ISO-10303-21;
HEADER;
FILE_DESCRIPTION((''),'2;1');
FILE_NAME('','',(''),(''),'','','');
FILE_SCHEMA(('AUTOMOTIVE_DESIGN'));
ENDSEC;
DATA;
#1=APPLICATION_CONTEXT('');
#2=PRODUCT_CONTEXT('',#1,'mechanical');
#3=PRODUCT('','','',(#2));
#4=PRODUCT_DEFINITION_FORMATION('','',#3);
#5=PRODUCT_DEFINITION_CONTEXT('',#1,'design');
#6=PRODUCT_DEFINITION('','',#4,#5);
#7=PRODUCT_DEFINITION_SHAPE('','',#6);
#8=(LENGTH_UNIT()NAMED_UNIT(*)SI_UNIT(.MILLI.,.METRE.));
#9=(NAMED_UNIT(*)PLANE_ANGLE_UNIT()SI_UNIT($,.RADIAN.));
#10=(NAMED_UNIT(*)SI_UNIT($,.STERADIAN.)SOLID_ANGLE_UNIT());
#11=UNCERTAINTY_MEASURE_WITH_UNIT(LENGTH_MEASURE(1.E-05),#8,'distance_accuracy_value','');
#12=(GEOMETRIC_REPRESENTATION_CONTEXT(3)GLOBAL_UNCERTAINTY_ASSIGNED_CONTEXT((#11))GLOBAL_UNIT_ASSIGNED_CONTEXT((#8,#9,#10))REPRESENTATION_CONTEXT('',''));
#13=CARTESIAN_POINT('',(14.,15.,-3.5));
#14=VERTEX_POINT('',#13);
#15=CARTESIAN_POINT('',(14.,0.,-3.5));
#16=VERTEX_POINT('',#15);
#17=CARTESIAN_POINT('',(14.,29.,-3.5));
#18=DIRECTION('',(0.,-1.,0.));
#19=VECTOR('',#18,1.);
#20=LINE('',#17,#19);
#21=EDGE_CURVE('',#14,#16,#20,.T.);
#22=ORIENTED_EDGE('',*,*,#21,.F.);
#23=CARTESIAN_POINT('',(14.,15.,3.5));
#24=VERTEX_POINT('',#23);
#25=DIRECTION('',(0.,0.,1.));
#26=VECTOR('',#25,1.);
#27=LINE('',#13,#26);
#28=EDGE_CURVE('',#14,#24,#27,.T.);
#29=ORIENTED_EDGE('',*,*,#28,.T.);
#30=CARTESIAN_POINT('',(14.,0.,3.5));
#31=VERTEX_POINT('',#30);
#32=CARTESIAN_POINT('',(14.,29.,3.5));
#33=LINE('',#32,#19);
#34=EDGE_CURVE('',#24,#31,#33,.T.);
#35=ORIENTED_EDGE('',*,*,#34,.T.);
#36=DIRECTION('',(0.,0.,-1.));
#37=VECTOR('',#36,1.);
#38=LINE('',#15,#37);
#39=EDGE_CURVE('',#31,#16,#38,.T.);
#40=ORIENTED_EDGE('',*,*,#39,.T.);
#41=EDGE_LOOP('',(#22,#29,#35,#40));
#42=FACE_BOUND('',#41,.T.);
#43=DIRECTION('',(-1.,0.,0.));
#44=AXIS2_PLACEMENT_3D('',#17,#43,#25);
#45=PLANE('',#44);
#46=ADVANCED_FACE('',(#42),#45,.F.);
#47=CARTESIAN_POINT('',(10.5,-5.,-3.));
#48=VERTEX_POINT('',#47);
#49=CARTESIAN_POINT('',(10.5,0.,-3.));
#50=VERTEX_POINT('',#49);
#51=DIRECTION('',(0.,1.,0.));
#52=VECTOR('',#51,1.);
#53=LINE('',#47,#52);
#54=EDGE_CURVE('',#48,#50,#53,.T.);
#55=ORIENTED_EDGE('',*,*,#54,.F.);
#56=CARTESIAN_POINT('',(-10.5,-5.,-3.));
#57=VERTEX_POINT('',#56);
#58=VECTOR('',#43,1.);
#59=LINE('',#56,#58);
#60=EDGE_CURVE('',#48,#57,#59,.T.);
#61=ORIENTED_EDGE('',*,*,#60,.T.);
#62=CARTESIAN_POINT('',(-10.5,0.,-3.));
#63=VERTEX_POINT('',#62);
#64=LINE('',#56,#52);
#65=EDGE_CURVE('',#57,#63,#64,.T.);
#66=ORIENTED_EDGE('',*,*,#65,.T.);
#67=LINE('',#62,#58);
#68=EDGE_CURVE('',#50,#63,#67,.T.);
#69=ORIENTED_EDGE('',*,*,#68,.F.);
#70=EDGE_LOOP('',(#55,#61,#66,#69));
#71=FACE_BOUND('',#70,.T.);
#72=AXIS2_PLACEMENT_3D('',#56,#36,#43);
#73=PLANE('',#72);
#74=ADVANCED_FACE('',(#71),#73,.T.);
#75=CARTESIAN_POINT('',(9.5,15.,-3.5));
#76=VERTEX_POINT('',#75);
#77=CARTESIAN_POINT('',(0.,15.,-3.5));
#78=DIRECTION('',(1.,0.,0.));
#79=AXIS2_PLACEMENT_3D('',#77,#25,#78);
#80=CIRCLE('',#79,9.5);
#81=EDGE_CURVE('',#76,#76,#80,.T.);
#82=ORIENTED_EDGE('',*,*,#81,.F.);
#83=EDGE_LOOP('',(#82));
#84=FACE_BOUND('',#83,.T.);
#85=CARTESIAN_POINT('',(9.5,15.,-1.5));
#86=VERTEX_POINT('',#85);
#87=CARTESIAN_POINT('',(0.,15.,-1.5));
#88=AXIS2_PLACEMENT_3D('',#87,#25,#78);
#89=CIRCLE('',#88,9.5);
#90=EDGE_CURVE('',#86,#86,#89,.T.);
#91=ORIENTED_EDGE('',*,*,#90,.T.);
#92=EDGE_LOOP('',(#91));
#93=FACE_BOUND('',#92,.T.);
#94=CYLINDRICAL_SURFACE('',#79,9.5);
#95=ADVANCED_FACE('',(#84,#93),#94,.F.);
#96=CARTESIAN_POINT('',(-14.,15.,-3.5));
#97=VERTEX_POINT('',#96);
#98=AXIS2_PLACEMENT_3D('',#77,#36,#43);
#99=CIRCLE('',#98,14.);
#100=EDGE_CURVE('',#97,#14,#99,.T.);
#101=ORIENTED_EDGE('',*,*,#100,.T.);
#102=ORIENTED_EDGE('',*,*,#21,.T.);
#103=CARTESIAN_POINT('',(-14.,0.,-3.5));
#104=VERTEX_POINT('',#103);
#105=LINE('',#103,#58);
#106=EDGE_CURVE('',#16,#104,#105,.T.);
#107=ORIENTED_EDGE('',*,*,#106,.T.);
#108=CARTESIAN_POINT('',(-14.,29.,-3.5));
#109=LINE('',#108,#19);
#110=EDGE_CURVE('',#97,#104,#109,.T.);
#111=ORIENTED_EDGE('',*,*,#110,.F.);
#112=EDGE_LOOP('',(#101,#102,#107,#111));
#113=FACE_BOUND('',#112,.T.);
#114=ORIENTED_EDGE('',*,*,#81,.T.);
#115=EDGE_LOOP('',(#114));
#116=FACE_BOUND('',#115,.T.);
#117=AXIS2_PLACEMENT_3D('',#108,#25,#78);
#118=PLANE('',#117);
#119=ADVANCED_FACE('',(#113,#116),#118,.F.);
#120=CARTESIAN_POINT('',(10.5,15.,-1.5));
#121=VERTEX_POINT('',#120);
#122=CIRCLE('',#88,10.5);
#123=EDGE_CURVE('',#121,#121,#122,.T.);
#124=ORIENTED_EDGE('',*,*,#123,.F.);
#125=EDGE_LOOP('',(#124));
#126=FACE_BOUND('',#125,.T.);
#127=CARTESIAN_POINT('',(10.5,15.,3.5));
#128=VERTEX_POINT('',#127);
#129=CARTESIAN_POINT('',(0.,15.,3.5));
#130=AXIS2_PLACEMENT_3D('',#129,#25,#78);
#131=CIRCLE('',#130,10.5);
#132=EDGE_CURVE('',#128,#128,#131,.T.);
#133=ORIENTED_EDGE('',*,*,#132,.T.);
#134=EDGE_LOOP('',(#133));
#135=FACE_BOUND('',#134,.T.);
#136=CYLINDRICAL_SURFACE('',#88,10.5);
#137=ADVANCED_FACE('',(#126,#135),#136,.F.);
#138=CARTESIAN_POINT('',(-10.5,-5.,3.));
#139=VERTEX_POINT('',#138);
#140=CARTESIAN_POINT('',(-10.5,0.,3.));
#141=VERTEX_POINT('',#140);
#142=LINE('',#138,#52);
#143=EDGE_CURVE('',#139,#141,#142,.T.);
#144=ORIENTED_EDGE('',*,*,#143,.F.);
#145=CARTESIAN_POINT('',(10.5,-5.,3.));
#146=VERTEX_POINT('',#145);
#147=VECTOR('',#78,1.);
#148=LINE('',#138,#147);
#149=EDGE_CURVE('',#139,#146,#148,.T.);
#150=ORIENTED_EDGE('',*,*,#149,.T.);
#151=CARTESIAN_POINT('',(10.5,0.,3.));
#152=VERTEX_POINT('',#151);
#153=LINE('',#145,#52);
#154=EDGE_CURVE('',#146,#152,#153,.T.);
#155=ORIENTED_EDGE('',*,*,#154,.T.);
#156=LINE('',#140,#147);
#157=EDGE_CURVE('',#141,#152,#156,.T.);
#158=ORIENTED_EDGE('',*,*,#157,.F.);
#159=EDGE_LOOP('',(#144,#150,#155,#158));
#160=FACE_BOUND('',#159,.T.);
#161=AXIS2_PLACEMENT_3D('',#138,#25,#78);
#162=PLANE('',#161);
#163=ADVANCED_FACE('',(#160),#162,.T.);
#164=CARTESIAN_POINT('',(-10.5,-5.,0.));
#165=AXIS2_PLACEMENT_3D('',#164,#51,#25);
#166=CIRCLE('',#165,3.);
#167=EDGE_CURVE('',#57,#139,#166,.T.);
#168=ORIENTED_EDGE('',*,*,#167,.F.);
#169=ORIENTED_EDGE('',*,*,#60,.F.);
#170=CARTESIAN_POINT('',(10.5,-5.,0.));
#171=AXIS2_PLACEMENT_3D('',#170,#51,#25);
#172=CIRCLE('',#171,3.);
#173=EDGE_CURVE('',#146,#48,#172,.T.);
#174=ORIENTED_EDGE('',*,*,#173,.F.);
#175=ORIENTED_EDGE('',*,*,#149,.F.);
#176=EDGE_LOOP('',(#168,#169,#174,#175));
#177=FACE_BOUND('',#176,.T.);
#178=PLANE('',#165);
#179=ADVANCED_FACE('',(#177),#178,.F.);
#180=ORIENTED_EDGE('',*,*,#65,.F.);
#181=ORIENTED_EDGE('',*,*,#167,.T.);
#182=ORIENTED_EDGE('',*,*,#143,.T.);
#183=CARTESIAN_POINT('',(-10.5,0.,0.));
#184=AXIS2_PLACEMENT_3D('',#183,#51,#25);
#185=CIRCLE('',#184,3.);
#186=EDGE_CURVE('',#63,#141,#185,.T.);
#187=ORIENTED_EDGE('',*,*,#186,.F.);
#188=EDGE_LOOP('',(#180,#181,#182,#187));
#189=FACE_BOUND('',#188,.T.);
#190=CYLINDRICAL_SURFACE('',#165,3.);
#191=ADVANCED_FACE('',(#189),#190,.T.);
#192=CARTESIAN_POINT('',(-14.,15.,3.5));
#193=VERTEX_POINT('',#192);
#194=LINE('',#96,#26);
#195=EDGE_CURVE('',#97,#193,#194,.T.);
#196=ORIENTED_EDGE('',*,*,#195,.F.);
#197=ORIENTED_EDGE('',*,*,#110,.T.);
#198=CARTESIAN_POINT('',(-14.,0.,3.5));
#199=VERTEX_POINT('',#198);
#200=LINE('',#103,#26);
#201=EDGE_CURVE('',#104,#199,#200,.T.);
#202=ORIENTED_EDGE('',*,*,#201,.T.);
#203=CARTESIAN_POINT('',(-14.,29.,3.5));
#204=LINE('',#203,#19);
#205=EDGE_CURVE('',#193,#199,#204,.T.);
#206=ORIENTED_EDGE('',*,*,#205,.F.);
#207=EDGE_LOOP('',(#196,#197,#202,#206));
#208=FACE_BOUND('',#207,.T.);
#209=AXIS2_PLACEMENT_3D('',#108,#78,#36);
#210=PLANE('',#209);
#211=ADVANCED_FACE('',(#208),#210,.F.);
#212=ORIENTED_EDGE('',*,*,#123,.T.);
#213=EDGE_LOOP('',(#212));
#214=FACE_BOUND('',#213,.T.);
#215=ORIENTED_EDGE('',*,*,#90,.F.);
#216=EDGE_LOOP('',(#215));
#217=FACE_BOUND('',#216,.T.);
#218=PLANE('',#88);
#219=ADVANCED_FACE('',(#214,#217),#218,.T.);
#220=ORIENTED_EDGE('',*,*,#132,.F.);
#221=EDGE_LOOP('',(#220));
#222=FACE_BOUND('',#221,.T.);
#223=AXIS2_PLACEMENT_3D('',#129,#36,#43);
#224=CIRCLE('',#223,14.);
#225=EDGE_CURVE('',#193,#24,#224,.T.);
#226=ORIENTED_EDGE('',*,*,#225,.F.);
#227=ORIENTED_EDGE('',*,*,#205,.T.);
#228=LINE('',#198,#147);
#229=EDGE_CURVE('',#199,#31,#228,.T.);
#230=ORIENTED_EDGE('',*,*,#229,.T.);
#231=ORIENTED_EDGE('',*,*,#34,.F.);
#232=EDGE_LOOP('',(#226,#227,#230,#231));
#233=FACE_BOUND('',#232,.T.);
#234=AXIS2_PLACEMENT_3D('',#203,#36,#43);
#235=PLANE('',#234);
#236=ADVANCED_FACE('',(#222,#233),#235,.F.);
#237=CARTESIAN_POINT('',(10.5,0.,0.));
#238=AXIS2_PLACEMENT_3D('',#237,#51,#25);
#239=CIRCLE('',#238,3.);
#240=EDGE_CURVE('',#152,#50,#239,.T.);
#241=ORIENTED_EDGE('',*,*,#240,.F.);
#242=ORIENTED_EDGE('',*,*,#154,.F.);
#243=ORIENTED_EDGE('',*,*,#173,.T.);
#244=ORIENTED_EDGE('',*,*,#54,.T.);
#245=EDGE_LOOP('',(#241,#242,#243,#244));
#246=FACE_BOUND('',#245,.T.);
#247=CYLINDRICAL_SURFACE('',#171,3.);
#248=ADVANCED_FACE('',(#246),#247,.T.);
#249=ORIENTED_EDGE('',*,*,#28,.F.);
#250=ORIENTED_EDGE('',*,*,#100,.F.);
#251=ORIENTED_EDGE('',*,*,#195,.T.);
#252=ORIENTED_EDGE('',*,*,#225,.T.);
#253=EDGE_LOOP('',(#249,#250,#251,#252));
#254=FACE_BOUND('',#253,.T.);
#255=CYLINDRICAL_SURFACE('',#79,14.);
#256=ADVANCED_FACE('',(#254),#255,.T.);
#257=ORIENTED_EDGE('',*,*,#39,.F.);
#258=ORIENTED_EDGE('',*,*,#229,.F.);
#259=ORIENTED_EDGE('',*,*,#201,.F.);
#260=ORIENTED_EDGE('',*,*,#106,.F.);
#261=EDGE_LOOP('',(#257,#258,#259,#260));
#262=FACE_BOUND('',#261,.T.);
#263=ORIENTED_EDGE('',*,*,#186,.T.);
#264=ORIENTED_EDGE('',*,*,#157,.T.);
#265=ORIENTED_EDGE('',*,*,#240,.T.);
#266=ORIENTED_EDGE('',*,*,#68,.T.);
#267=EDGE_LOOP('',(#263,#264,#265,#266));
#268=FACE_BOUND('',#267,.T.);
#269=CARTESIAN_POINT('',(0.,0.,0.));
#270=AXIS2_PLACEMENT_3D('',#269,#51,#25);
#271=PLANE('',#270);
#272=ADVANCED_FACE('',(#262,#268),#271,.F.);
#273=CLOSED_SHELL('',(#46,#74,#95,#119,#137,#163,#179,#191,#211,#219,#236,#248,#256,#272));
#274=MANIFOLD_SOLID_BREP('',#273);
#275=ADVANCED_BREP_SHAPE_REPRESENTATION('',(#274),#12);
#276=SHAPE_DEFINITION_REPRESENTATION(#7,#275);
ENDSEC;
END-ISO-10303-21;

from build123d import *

# Parameters (mm, degrees)
BOSS_EXTRUDE1_DEPTH = 5
SKETCH2_W           = 28
SKETCH2_H           = 7
BOSS_EXTRUDE2_DEPTH = 29
CUT_EXTRUDE1_DEPTH  = 7
SKETCH4_R           = 10.5
CUT_EXTRUDE2_DEPTH  = 5
SKETCH5_R           = 9.5
CUT_EXTRUDE3_DEPTH  = 2


with BuildPart() as part:
    # Sketch1 → Boss-Extrude1 (new body)
    with BuildSketch(Plane(origin=(0, 0, 0), x_dir=(1, 0, 0), z_dir=(0, 1, 0))):
        with BuildLine():
            Line((-10.5, 3), (10.5, 3))
            ThreePointArc((10.5, 3), (13.5, 0), (10.5, -3))
            Line((10.5, -3), (-10.5, -3))
            ThreePointArc((-10.5, -3), (-13.5, 0), (-10.5, 3))
        make_face()
    extrude(amount=-BOSS_EXTRUDE1_DEPTH)

    # Sketch2 → Boss-Extrude2 (add)
    with BuildSketch(Plane(origin=(0, 0, 0), x_dir=(1, 0, 0), z_dir=(0, 1, 0))):
        Rectangle(SKETCH2_W, SKETCH2_H)
    extrude(amount=BOSS_EXTRUDE2_DEPTH)

    # Sketch3 → Cut-Extrude1 (cut)
    with BuildSketch(Plane.XY.offset(3.5)):
        with BuildLine():
            Line((-14, 15), (-14, 33.512664493))
            Line((-14, 33.512664493), (14, 33.512664493))
            Line((14, 33.512664493), (14, 15))
            ThreePointArc((14, 15), (0, 29), (-14, 15))
        make_face()
    extrude(amount=-CUT_EXTRUDE1_DEPTH, mode=Mode.SUBTRACT)

    # Sketch4 → Cut-Extrude2 (cut)
    with BuildSketch(Plane.XY.offset(3.5)):
        with Locations((0, 15)):
            Circle(SKETCH4_R)
    extrude(amount=-CUT_EXTRUDE2_DEPTH, mode=Mode.SUBTRACT)

    # Sketch5 → Cut-Extrude3 (cut)
    with BuildSketch(Plane.XY.offset(-1.5)):
        with Locations((0, 15)):
            Circle(SKETCH5_R)
    extrude(amount=-CUT_EXTRUDE3_DEPTH, mode=Mode.SUBTRACT)


solid = part.part
